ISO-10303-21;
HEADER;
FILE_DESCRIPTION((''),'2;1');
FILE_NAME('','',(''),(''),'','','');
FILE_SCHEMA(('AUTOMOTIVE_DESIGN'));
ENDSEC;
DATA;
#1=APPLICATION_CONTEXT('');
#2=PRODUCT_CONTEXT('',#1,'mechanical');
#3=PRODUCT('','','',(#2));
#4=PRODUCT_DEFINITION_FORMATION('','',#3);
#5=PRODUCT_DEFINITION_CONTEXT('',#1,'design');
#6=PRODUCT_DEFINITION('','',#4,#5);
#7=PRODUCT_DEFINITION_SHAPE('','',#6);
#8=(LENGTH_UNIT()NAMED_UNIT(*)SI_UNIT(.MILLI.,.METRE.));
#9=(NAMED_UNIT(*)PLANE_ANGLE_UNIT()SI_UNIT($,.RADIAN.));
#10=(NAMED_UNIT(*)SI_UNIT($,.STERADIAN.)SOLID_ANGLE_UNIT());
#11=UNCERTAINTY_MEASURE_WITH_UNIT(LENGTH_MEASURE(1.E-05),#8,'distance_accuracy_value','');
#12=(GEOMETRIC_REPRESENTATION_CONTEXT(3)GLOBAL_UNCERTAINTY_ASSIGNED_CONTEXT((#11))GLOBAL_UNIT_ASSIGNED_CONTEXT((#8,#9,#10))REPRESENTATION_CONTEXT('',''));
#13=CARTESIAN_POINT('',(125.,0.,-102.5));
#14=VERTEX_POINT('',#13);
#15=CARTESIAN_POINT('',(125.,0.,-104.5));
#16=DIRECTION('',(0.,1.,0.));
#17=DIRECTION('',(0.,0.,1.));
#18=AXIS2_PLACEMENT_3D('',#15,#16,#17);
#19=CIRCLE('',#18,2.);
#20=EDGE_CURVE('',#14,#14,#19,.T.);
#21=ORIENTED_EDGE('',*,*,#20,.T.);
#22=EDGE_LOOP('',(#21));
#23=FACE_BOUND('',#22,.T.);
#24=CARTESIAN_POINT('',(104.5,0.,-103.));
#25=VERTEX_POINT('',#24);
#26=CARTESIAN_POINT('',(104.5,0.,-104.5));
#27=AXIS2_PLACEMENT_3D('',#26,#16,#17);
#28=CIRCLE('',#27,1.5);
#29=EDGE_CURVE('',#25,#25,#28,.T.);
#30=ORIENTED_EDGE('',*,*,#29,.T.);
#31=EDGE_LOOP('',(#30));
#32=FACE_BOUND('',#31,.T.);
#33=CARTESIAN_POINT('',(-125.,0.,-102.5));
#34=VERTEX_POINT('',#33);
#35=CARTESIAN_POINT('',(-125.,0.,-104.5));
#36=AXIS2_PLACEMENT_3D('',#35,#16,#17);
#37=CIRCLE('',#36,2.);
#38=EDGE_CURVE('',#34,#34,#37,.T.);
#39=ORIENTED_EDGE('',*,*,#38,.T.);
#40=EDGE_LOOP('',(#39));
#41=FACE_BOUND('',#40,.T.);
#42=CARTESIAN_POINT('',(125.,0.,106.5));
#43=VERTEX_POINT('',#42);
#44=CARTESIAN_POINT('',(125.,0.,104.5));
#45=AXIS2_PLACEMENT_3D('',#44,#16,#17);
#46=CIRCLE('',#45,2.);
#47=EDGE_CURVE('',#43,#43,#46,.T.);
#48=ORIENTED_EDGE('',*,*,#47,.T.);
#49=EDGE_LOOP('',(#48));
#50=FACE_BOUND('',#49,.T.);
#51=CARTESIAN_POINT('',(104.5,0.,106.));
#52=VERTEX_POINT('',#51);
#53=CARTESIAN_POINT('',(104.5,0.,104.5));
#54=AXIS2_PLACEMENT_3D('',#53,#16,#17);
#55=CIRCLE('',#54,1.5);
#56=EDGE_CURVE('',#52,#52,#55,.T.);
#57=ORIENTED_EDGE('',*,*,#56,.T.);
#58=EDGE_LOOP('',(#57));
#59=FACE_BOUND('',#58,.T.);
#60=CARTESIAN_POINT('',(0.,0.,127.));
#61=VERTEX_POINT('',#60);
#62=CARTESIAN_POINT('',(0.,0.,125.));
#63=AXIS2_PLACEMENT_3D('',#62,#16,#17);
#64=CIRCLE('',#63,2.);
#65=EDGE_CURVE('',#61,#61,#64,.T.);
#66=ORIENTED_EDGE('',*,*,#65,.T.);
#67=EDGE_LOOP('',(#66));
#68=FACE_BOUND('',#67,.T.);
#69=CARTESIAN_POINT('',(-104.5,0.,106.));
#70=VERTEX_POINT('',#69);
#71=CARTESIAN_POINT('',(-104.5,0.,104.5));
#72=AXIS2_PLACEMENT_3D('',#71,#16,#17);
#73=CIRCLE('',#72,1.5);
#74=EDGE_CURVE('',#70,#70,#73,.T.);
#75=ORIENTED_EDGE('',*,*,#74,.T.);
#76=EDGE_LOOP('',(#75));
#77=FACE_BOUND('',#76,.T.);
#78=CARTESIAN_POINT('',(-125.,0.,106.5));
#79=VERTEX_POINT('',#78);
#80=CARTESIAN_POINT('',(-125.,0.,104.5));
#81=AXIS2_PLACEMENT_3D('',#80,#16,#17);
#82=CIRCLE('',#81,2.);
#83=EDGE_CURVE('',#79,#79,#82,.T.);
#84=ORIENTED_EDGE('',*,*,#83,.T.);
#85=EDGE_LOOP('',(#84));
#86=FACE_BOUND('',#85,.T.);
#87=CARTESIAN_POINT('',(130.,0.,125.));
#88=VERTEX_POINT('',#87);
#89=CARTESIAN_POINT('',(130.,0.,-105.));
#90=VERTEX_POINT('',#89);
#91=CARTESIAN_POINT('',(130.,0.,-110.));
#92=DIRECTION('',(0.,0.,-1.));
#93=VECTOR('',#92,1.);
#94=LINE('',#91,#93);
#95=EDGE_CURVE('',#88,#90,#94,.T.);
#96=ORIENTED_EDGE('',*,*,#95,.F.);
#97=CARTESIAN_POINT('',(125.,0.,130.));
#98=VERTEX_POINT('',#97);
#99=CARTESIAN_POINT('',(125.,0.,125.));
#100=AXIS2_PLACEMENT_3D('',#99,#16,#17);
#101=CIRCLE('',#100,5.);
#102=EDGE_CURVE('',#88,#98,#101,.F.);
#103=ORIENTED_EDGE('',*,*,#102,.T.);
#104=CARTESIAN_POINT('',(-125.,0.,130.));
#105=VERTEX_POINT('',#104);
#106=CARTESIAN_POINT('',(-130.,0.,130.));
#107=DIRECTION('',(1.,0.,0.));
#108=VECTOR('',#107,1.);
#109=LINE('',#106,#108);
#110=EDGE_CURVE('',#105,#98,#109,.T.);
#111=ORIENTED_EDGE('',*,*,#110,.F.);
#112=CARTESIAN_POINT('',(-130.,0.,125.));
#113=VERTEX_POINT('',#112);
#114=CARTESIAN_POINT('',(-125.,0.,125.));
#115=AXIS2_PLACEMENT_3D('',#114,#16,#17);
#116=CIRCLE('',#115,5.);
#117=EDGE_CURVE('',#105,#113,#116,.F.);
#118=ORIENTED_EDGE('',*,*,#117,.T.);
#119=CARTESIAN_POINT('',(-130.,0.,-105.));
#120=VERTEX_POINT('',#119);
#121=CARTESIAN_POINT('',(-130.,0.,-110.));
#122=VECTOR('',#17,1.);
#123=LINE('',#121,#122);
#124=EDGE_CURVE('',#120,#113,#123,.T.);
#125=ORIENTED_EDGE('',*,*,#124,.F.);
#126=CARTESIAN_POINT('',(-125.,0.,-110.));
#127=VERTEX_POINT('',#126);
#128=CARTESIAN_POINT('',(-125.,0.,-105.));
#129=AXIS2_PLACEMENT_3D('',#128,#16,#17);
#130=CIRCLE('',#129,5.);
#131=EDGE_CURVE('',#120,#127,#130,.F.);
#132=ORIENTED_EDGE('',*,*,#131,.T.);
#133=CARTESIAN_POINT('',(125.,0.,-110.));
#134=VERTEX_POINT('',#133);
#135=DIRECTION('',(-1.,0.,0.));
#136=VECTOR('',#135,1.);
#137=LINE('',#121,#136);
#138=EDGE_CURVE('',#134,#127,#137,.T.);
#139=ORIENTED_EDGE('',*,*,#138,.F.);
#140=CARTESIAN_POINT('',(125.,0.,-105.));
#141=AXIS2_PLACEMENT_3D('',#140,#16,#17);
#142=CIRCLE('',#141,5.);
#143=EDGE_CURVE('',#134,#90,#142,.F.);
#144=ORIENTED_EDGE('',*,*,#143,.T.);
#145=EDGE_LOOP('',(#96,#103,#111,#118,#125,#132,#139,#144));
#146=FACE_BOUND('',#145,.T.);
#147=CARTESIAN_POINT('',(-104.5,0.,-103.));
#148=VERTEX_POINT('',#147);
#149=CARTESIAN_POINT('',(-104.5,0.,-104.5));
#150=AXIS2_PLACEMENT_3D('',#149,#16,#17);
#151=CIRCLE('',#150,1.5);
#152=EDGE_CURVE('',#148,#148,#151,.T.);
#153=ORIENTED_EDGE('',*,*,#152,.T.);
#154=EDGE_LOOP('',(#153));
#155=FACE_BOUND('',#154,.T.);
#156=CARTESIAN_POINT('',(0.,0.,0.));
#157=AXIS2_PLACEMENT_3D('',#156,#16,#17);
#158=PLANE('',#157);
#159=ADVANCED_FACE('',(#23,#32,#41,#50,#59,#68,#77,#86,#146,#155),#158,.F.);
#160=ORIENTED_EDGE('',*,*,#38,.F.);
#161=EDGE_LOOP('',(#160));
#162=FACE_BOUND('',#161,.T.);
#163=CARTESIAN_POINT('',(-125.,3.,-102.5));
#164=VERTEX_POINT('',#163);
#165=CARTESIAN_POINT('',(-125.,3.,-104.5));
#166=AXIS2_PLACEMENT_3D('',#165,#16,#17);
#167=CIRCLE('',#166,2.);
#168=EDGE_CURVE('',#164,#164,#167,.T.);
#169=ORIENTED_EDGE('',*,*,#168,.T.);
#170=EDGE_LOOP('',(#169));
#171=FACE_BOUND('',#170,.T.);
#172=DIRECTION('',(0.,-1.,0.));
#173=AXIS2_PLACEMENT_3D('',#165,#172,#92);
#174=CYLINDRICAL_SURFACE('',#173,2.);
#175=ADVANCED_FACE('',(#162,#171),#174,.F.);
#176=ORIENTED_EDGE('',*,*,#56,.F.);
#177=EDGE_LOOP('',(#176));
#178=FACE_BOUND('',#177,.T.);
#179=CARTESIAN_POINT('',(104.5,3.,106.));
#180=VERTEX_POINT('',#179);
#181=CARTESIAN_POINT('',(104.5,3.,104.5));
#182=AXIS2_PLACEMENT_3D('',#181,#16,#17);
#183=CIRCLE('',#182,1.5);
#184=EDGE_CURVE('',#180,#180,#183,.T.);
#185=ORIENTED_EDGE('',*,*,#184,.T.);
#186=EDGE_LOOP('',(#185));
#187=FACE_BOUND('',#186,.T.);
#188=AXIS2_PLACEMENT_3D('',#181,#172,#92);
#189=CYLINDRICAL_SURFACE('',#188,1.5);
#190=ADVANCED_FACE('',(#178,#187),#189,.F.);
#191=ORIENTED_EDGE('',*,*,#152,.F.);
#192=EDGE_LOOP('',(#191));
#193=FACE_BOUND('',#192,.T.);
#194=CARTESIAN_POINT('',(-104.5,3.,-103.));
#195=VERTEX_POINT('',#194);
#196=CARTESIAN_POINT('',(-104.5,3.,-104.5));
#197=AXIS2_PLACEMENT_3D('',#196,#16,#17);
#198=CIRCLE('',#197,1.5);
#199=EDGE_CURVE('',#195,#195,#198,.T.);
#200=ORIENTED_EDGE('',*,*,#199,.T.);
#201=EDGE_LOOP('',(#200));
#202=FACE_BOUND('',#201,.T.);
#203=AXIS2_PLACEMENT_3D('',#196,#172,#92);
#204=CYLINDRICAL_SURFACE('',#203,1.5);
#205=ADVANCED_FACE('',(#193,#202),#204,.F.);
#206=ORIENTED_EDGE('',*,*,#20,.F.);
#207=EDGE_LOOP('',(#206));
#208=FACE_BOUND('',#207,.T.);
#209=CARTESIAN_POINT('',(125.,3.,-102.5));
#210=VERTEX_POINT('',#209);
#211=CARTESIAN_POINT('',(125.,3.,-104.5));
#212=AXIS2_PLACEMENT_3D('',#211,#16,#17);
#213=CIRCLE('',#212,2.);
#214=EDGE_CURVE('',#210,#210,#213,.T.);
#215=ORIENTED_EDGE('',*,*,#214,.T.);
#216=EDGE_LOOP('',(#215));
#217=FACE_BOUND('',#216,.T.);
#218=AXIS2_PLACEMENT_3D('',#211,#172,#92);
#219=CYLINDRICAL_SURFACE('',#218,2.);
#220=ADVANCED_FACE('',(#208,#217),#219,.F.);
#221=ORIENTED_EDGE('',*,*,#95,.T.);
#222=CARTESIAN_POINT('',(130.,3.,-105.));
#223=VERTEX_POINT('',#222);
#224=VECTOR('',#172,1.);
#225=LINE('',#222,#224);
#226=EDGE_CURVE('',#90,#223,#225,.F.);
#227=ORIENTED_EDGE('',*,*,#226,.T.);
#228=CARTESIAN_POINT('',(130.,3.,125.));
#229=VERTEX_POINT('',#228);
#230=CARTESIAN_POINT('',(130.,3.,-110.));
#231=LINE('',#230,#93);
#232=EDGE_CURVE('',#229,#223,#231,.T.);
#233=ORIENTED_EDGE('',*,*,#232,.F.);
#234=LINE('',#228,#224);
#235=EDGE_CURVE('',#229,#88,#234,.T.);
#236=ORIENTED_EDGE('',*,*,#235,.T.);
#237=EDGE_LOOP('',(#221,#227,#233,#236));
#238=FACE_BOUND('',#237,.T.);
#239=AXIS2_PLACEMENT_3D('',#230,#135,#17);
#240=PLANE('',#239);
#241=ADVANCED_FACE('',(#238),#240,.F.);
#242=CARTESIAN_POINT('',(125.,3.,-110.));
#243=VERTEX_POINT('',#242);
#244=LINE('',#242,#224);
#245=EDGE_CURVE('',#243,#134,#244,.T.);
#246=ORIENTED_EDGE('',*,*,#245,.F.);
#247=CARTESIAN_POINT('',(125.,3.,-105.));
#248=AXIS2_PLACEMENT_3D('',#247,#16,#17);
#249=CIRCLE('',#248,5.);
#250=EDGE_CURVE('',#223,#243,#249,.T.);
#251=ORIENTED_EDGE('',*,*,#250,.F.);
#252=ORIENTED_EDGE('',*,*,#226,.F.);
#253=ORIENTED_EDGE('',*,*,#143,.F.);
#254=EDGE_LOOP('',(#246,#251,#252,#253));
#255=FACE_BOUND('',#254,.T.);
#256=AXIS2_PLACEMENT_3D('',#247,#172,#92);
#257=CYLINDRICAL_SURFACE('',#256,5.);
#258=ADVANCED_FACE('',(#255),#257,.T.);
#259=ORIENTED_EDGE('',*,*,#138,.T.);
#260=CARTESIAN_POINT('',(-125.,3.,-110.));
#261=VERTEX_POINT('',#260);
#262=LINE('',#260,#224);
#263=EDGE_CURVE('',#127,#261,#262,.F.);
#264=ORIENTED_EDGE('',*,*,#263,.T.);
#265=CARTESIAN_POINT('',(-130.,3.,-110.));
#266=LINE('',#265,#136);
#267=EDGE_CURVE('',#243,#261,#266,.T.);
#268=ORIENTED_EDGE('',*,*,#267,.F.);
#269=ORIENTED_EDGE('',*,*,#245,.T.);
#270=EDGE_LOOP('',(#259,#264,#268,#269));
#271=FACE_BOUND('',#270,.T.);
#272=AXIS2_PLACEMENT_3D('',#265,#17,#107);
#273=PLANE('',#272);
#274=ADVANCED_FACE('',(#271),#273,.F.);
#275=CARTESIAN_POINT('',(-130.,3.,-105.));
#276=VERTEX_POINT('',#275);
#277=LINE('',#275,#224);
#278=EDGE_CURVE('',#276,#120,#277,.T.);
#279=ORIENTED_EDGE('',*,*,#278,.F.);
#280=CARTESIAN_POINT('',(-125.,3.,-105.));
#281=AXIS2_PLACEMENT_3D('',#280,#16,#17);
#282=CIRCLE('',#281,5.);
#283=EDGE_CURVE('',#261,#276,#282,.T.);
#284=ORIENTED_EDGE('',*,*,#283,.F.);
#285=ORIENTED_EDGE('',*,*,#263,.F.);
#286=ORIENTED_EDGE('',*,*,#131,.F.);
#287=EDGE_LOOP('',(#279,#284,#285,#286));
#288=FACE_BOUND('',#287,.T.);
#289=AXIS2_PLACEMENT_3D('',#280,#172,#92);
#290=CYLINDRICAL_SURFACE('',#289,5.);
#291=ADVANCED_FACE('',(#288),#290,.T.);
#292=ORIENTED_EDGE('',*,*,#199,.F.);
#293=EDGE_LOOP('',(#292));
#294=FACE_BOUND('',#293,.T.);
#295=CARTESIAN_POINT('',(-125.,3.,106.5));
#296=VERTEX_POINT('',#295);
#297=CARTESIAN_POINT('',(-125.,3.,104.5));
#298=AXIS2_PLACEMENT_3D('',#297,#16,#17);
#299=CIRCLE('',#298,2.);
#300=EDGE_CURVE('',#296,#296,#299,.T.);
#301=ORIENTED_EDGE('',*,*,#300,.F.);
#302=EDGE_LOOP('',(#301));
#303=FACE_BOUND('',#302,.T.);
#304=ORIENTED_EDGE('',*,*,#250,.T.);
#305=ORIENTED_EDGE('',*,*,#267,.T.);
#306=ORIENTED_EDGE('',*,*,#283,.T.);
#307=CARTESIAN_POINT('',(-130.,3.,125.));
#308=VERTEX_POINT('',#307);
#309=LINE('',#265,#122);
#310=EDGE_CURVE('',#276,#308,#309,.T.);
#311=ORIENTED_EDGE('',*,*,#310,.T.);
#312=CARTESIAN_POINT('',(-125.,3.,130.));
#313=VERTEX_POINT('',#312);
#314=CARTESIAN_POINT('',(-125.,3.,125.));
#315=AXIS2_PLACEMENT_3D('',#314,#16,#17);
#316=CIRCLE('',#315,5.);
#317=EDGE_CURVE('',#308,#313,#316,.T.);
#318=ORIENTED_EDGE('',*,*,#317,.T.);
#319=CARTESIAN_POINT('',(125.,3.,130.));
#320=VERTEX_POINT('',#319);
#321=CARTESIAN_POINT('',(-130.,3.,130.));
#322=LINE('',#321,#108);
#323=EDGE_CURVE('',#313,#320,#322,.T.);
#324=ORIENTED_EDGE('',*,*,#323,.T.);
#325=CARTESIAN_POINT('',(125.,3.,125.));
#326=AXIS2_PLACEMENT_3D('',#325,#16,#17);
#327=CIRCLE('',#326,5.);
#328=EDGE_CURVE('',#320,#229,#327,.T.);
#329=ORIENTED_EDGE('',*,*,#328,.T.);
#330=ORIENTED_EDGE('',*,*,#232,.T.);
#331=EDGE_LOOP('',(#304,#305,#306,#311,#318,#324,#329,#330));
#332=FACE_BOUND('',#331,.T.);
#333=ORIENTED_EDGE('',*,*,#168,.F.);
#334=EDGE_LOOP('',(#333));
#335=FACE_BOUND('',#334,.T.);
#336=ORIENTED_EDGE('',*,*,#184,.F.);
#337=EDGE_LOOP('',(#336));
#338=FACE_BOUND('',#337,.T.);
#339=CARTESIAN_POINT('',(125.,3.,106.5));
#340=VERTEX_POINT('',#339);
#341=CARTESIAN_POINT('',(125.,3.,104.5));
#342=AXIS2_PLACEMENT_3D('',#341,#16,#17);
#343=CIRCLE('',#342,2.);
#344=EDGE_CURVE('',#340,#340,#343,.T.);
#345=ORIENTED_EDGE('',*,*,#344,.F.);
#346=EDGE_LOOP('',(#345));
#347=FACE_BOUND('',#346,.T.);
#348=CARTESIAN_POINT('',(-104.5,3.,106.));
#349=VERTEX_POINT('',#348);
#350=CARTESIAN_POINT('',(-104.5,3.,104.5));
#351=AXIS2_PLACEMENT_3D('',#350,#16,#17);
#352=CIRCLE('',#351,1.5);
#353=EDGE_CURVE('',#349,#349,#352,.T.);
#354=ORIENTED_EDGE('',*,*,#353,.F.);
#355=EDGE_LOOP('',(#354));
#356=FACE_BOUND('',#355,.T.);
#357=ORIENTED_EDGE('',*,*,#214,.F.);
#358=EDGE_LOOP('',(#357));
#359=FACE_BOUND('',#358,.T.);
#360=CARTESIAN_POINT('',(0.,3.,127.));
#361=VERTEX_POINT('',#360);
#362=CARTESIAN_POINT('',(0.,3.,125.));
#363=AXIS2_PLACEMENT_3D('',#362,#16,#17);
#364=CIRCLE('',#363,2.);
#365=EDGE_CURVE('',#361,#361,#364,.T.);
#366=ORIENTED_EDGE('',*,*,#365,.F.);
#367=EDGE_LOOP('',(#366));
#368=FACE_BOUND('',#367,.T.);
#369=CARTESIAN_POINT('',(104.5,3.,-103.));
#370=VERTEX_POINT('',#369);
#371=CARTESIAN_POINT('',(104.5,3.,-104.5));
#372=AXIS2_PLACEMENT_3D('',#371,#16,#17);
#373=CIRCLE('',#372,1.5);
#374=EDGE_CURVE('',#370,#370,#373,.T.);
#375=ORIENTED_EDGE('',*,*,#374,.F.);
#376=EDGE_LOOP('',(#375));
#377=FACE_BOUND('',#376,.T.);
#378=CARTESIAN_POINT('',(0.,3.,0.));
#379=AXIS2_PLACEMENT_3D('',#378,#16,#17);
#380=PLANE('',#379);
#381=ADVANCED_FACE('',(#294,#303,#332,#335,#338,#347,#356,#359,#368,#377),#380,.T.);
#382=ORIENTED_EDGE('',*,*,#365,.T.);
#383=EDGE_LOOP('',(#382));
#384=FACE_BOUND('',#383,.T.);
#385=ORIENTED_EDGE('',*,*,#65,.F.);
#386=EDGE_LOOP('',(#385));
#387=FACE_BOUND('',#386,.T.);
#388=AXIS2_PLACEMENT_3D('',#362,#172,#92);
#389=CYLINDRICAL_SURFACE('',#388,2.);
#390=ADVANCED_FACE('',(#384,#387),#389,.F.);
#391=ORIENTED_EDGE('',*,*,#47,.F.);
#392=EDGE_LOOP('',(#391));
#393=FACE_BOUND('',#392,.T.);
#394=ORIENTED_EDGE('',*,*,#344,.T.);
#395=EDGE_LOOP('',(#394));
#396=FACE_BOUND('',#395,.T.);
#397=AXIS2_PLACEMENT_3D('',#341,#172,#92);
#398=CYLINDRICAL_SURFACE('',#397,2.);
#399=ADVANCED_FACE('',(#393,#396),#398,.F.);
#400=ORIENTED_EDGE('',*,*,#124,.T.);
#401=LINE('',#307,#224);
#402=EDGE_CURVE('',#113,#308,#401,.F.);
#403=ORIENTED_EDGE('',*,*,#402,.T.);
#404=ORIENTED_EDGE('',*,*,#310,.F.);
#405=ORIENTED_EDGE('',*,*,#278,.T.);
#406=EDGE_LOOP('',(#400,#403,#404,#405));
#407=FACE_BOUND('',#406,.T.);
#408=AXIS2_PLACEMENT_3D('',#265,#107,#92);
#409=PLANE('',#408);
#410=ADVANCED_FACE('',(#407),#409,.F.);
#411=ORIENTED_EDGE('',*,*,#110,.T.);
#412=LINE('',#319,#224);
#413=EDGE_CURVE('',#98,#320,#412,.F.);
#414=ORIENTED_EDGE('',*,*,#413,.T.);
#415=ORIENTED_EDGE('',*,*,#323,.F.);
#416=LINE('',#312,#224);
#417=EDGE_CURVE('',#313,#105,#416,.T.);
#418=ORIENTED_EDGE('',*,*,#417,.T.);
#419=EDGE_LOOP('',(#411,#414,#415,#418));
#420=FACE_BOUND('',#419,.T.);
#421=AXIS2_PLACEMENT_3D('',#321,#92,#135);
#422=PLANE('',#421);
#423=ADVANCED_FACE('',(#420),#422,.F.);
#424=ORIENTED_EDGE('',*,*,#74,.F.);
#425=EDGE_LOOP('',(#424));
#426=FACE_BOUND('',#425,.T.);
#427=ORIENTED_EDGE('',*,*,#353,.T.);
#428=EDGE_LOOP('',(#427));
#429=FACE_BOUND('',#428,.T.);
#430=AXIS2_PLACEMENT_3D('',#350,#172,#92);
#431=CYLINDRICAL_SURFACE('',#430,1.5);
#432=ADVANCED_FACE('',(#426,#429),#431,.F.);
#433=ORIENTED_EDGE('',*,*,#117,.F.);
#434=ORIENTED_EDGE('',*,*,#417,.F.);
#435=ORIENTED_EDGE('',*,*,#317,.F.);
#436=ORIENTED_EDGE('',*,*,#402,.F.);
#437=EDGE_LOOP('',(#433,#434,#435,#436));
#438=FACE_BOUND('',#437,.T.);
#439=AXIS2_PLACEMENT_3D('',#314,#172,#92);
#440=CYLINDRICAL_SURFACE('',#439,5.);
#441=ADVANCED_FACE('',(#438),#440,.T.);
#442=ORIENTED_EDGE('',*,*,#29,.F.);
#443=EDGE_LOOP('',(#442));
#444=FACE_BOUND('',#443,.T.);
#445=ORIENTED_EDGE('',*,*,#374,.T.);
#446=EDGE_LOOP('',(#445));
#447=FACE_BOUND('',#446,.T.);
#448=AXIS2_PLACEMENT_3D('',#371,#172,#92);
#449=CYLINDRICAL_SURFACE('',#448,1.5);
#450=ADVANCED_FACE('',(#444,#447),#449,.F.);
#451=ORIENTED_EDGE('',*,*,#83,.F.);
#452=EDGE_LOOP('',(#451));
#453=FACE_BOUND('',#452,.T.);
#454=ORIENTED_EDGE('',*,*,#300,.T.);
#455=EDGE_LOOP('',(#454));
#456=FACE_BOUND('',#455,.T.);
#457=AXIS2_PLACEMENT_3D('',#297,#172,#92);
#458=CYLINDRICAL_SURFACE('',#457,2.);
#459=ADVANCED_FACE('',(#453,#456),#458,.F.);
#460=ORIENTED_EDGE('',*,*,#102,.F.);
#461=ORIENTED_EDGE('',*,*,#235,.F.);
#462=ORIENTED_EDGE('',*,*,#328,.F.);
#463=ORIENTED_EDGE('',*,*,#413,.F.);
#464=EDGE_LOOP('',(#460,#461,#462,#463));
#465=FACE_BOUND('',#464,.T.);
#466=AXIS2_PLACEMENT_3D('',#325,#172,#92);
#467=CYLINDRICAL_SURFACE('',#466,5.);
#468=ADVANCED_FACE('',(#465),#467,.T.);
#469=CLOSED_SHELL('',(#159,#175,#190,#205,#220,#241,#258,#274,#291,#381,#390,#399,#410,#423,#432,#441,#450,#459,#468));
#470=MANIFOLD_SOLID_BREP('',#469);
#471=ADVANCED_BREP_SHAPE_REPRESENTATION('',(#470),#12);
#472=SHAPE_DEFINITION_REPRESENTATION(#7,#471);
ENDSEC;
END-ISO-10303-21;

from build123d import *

# Parameters (mm, degrees)
CROQUIS1_W              = 260
CROQUIS1_H              = 240
CROQUIS1_R              = 1.5
CROQUIS1_R_2            = 2
SALIENTE_EXTRUIR1_DEPTH = 3
REDONDEO1_R             = 5


with BuildPart() as part:
    # Croquis1 → Saliente-Extruir1 (new body)
    with BuildSketch(Plane(origin=(0, 0, 0), x_dir=(1, 0, 0), z_dir=(0, 1, 0))):
        with Locations((0, -10)):
            Rectangle(CROQUIS1_W, CROQUIS1_H)
        with Locations((-104.5, 104.5)):
            Circle(CROQUIS1_R, mode=Mode.SUBTRACT)
        with Locations((104.5, 104.5)):
            Circle(CROQUIS1_R, mode=Mode.SUBTRACT)
        with Locations((-104.5, -104.5)):
            Circle(CROQUIS1_R, mode=Mode.SUBTRACT)
        with Locations((104.5, -104.5)):
            Circle(CROQUIS1_R, mode=Mode.SUBTRACT)
        with Locations((125, 104.5)):
            Circle(CROQUIS1_R_2, mode=Mode.SUBTRACT)
        with Locations((125, -104.5)):
            Circle(CROQUIS1_R_2, mode=Mode.SUBTRACT)
        with Locations((-125, -104.5)):
            Circle(CROQUIS1_R_2, mode=Mode.SUBTRACT)
        with Locations((-125, 104.5)):
            Circle(CROQUIS1_R_2, mode=Mode.SUBTRACT)
        with Locations((0, -125)):
            Circle(CROQUIS1_R_2, mode=Mode.SUBTRACT)
    extrude(amount=SALIENTE_EXTRUIR1_DEPTH)

    # Redondeo1
    redondeo1_edges = [part.edges().sort_by_distance(p)[0] for p in [
        (-130, 1.5, -110),
        (130, 1.5, -110),
        (130, 1.5, 130),
        (-130, 1.5, 130),
    ]]
    fillet(redondeo1_edges, radius=REDONDEO1_R)


solid = part.part
